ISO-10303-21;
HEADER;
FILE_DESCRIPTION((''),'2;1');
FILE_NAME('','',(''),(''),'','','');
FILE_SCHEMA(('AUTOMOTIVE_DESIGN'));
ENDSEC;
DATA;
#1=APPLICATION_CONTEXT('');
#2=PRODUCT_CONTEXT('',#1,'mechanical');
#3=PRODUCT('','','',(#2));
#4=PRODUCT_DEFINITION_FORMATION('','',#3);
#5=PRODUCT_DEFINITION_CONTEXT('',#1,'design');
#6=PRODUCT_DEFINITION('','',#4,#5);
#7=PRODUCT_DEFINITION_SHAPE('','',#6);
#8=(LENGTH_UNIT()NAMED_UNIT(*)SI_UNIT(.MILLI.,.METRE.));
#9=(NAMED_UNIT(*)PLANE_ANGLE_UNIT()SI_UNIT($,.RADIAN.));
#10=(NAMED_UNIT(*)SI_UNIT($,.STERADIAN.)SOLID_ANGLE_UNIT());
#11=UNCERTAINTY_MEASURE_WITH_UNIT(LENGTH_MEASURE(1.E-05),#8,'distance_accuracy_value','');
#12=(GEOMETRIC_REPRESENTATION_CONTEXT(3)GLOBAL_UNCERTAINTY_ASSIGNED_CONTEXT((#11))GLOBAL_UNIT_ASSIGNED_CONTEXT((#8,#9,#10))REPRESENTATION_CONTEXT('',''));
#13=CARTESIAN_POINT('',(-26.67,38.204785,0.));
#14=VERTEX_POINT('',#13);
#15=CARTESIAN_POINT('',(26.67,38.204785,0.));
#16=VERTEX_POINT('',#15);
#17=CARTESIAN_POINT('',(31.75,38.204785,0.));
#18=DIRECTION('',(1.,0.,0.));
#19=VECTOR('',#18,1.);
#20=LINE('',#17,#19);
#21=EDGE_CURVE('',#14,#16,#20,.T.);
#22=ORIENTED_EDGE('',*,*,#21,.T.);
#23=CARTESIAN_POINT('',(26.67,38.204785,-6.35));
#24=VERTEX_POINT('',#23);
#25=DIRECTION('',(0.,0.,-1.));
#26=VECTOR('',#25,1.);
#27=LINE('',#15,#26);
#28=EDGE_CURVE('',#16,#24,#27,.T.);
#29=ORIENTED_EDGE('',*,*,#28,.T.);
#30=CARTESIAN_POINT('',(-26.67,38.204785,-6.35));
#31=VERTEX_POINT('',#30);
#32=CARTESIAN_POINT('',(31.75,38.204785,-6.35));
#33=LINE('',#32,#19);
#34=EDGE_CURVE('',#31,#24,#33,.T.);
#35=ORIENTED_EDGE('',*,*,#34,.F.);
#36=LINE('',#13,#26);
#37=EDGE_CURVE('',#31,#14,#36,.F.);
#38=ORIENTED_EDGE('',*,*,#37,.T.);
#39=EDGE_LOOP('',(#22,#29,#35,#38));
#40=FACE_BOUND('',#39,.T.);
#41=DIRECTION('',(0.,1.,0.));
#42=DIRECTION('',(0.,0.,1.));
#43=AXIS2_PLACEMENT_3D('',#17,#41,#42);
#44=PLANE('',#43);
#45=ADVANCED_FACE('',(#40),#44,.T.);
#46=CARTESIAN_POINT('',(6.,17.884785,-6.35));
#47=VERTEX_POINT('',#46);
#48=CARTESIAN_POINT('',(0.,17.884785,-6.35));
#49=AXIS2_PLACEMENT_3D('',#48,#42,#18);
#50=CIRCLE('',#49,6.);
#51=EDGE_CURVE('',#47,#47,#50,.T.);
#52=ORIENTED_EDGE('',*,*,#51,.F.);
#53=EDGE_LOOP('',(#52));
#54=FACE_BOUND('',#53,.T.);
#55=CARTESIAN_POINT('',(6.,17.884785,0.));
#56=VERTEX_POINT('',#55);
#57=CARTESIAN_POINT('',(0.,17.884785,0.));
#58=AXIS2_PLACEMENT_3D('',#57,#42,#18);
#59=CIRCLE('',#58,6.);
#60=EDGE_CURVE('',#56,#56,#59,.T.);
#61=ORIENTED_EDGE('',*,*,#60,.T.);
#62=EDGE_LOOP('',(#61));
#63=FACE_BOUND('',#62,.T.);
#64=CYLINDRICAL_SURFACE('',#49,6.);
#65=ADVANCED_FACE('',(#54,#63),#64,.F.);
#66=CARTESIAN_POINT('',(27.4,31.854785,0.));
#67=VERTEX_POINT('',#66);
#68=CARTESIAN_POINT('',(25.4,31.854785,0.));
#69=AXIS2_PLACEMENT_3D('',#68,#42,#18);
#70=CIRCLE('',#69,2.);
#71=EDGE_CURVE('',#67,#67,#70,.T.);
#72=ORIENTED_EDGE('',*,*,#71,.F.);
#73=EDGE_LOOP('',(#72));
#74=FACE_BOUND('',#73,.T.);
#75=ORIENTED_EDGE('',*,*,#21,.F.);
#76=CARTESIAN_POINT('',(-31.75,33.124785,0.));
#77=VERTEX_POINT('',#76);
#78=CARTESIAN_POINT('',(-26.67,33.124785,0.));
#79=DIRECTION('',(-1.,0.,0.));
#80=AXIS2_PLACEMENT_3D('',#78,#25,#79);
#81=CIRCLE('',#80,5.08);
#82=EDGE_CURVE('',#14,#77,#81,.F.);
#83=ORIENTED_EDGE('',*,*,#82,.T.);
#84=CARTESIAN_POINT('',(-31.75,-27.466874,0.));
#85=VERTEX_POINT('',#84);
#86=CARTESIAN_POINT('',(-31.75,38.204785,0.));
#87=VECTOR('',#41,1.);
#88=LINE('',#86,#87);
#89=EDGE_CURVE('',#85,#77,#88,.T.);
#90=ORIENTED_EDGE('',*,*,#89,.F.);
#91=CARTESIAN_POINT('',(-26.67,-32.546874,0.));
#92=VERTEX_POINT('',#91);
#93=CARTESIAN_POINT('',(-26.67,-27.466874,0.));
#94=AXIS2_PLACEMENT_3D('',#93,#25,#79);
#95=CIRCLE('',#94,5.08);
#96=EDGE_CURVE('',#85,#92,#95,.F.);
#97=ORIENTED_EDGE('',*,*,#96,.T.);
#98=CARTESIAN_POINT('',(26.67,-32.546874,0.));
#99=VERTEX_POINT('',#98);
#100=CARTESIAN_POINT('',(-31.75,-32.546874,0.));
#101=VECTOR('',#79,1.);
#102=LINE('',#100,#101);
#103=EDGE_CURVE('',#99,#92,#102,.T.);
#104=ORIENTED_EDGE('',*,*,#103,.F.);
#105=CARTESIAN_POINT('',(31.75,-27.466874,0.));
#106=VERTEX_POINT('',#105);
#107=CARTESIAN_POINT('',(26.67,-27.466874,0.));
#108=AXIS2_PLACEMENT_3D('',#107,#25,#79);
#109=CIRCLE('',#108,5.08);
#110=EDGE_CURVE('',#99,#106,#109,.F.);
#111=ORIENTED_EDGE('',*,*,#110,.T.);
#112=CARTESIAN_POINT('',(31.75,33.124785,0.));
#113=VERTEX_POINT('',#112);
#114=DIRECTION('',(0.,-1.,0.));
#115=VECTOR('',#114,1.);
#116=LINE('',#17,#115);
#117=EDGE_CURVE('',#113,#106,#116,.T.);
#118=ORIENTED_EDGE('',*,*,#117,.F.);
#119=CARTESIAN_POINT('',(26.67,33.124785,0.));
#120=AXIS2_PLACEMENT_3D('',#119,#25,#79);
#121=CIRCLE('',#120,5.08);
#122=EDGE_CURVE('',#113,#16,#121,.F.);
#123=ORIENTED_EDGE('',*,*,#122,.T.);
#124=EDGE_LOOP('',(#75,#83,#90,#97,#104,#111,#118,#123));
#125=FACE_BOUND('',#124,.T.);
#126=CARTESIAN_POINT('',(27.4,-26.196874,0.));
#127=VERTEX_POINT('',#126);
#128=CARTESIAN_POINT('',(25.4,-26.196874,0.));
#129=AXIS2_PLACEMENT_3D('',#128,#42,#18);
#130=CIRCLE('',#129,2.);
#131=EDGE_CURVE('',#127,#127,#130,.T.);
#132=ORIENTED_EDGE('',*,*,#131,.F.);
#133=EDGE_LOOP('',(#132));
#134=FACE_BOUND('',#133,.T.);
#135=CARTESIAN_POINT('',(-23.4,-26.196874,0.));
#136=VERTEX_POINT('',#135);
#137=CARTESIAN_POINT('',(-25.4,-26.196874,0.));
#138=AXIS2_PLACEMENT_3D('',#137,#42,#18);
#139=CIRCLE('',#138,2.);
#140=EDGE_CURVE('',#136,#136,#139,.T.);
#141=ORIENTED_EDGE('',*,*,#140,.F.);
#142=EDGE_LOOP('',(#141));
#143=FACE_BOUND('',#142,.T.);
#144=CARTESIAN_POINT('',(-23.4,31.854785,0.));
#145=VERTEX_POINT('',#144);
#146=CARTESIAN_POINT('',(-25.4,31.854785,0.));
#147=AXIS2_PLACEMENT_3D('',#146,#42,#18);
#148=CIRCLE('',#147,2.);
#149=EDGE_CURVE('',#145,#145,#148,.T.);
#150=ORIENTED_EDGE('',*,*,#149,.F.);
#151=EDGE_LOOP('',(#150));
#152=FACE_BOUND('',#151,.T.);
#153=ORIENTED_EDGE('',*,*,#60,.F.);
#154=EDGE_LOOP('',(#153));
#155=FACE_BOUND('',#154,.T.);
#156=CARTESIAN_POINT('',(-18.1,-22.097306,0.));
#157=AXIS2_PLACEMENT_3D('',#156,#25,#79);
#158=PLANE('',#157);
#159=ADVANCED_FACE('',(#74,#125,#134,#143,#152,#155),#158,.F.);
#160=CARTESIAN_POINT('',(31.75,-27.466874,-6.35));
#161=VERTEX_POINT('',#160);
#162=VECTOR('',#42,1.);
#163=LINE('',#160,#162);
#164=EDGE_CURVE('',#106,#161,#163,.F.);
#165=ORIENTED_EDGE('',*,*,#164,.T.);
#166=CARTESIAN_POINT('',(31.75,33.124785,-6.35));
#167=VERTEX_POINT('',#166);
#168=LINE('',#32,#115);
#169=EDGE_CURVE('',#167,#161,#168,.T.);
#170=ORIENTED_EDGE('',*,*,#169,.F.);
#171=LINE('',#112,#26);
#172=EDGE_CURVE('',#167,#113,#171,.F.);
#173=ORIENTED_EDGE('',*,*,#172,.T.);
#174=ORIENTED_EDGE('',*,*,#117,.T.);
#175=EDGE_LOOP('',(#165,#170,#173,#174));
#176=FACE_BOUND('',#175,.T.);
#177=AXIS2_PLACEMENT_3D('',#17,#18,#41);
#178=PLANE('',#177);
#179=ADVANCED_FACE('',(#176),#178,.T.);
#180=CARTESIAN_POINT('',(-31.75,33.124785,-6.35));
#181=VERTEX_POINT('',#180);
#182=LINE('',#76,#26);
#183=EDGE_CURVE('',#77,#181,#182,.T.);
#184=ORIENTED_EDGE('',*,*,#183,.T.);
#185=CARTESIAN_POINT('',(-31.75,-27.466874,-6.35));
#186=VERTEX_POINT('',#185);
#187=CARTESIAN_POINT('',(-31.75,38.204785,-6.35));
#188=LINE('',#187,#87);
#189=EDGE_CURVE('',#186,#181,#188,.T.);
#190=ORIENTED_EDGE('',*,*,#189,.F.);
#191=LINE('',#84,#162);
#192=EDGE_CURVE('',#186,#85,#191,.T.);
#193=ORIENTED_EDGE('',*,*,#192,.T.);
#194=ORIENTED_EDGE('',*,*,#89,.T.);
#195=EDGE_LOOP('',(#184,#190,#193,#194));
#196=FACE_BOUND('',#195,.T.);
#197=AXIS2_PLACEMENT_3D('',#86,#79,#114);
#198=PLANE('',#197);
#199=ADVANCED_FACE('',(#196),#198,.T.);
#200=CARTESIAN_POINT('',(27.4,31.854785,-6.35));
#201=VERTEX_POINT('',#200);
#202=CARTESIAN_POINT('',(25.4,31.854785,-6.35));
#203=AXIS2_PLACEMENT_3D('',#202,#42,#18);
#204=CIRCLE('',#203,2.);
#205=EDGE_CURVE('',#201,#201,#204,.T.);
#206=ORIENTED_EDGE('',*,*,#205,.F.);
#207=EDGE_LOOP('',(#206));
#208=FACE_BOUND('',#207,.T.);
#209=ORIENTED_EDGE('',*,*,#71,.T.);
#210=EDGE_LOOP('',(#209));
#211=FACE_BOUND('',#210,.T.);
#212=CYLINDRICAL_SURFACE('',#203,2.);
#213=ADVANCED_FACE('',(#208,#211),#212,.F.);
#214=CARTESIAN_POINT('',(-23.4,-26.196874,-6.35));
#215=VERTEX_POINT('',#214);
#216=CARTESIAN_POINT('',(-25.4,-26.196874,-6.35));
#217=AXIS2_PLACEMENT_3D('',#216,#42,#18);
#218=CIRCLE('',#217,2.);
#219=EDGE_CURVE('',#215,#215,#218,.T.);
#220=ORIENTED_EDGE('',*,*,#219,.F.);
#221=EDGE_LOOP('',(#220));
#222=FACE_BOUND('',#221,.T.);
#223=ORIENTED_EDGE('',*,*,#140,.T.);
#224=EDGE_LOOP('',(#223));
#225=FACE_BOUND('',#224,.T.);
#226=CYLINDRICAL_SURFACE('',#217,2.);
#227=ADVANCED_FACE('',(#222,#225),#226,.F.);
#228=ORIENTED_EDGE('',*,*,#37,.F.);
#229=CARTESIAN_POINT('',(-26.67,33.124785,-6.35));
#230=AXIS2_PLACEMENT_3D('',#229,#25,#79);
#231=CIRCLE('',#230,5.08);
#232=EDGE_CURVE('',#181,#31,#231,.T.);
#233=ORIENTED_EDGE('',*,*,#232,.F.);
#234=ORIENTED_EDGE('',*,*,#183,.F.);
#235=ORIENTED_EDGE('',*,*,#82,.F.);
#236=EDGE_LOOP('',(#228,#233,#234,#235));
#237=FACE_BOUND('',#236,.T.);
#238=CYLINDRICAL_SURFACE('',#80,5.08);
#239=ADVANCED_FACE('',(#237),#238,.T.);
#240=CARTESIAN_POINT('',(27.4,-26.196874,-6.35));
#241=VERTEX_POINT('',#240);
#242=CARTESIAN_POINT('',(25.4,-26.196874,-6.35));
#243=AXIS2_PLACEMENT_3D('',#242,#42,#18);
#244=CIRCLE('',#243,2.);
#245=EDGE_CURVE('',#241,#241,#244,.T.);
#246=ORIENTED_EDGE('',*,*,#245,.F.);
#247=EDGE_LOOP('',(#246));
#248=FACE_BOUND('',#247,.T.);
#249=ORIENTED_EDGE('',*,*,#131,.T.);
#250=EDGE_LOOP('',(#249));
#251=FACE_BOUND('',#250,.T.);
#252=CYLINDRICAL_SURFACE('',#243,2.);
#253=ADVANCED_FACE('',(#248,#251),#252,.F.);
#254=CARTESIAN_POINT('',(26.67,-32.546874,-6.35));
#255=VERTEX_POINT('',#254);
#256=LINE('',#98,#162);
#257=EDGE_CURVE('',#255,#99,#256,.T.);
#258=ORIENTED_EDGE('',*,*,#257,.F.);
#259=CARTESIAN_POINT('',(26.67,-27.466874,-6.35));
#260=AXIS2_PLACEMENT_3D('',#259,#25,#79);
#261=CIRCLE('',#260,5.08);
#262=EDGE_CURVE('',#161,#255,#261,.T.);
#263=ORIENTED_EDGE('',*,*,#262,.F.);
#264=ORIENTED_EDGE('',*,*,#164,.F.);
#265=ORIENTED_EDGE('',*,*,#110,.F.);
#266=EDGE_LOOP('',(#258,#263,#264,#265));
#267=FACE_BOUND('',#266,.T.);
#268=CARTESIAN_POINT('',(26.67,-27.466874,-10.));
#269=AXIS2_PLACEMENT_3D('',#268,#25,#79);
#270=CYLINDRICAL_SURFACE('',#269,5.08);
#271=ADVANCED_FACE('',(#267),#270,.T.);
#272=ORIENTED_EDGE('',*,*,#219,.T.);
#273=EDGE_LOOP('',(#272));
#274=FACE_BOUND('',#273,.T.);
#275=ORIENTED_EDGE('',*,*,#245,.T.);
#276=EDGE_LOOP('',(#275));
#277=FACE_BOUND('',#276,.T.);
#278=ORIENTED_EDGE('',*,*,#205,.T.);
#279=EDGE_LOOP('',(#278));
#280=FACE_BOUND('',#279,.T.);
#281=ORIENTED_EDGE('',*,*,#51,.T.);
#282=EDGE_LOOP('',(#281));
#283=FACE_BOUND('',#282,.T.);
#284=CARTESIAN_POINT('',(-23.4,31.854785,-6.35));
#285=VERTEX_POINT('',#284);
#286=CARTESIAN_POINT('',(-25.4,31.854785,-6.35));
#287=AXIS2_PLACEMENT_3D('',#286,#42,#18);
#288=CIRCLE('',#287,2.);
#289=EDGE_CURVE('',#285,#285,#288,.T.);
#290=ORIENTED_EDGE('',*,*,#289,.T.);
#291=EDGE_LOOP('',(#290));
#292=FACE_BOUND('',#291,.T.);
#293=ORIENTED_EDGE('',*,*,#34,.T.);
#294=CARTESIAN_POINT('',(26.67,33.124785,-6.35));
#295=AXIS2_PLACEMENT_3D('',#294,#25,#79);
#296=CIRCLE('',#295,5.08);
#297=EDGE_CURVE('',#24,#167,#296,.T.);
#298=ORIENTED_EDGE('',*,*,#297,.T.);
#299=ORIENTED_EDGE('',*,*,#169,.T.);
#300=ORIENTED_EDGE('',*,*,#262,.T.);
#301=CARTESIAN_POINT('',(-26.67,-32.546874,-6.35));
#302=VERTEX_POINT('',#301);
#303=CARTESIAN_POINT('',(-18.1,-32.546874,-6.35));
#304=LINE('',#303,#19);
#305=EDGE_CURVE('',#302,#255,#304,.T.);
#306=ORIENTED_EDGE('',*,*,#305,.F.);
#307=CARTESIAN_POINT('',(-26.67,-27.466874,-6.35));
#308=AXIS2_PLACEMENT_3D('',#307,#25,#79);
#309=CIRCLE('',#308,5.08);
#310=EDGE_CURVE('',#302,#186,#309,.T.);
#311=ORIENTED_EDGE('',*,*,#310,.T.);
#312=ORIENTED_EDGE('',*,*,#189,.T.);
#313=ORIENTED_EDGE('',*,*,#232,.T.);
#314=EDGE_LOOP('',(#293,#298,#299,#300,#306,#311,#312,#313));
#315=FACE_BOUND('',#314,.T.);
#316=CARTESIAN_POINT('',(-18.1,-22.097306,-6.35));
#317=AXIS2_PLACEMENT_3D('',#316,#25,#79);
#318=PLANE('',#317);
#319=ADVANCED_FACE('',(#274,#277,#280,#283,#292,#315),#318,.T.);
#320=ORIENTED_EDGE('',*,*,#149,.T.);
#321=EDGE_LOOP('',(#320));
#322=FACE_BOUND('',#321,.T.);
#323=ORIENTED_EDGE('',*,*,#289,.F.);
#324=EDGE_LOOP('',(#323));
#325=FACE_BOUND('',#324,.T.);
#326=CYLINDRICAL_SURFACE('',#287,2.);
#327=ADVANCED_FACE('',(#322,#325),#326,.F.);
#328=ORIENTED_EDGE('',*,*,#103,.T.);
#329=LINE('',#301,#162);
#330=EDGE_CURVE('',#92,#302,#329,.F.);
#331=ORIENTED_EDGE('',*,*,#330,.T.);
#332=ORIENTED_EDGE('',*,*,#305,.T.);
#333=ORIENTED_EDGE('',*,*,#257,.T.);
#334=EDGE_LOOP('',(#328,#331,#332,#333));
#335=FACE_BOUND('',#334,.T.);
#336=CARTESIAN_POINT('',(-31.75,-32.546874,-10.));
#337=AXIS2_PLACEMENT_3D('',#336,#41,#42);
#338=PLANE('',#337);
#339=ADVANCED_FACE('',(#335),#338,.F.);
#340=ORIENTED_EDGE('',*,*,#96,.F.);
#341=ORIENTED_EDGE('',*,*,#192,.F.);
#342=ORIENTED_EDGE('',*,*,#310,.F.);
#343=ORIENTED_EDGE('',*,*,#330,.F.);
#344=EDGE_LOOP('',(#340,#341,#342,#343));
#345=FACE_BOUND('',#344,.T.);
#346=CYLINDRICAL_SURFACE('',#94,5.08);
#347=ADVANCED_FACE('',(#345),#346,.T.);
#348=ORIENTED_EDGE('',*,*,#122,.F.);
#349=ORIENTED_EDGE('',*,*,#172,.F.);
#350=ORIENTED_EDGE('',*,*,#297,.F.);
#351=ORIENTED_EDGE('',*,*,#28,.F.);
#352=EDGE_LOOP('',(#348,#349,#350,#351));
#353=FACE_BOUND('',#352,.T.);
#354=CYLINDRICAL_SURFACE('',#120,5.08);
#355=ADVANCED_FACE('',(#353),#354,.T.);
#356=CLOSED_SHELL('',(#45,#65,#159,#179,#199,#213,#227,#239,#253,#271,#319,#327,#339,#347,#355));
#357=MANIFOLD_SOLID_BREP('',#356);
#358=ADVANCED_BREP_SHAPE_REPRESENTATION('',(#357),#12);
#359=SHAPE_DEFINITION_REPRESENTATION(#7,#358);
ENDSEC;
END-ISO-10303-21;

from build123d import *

# Parameters (mm, degrees)
BOSS_EXTRUDE1_DEPTH = 6.35
SKETCH2_R           = 1.35
SKETCH2_R_2         = 1.385
CUT_EXTRUDE1_DEPTH  = 38.116505762
SKETCH3_W           = 63.5
SKETCH3_H           = 71.12
SKETCH3_W_2         = 38.321076004
SKETCH3_H_2         = 47.237540142
BOSS_EXTRUDE2_DEPTH = 6.35
SKETCH5_W           = 27.94
SKETCH5_H           = 55.88
CUT_EXTRUDE3_DEPTH  = 51.07984184
SKETCH7_W           = 69.85
SKETCH7_H           = 0.368341575
CUT_EXTRUDE4_DEPTH  = 10
SKETCH9_R           = 2
CUT_EXTRUDE5_DEPTH  = 51.07984184
SKETCH10_W          = 41.322373354
SKETCH10_H          = 59.668082212
BOSS_EXTRUDE3_DEPTH = 6.35
SKETCH11_R          = 6
CUT_EXTRUDE6_DEPTH  = 51.07984184
FILLET1_R           = 5.08
FILLET2_R           = 5.08
FILLET3_R           = 5.08


with BuildPart() as part:
    # Sketch1 → Boss-Extrude1 (new body)
    with BuildSketch(Plane.XY):
        with BuildLine():
            Line((-19.69889026, 23.2987845), (-14.850045261, 29.75147823))
            ThreePointArc((-14.850045261, 29.75147823), (-14.144755454, 30.339267512), (-13.251155001, 30.55))
            Line((-13.251155001, 30.55), (13.251155001, 30.55))
            ThreePointArc((13.251155001, 30.55), (14.144755454, 30.339267512), (14.850045261, 29.75147823))
            Line((14.850045261, 29.75147823), (19.69889026, 23.2987845))
            ThreePointArc((19.69889026, 23.2987845), (19.997074131, 22.730638521), (20.1, 22.09730627))
            Line((20.1, 22.09730627), (20.1, -22.09730627))
            ThreePointArc((20.1, -22.09730627), (19.997074131, -22.730638521), (19.69889026, -23.2987845))
            Line((19.69889026, -23.2987845), (14.850045261, -29.75147823))
            ThreePointArc((14.850045261, -29.75147823), (14.144755454, -30.339267512), (13.251155001, -30.55))
            Line((13.251155001, -30.55), (-13.251155001, -30.55))
            ThreePointArc((-13.251155001, -30.55), (-14.144755454, -30.339267512), (-14.850045261, -29.75147823))
            Line((-14.850045261, -29.75147823), (-19.69889026, -23.2987845))
            ThreePointArc((-19.69889026, -23.2987845), (-19.997074131, -22.730638521), (-20.1, -22.09730627))
            Line((-20.1, -22.09730627), (-20.1, 22.09730627))
            ThreePointArc((-20.1, 22.09730627), (-19.997074131, 22.730638521), (-19.69889026, 23.2987845))
        make_face()
    extrude(amount=-BOSS_EXTRUDE1_DEPTH)

    # Sketch2 → Cut-Extrude1 (cut, through all)
    with BuildSketch(Plane(origin=(0, 0, -6.35), x_dir=(-1, 0, 0), z_dir=(0, 0, -1))):
        with Locations((17.3, 21.9487845)):
            Circle(SKETCH2_R)
        with Locations((17.3, -0.0512155)):
            Circle(SKETCH2_R)
        with Locations((17.3, -22.0512155)):
            Circle(SKETCH2_R)
        with Locations((11, -27.75)):
            Circle(SKETCH2_R_2)
        with Locations(Location((-11, -27.75, 0), (0, 0, 180))):
            Circle(SKETCH2_R_2)
        with Locations(Location((-17.3, -22.0512155, 0), (0, 0, 180))):
            Circle(SKETCH2_R)
        with Locations(Location((-17.3, -0.0512155, 0), (0, 0, 180))):
            Circle(SKETCH2_R)
        with Locations(Location((-17.3, 21.9487845, 0), (0, 0, 180))):
            Circle(SKETCH2_R)
    extrude(amount=-CUT_EXTRUDE1_DEPTH, mode=Mode.SUBTRACT)

    # Sketch3 → Boss-Extrude2 (add)
    with BuildSketch(Plane(origin=(0, 0, -6.35), x_dir=(-1, 0, 0), z_dir=(0, 0, -1))):
        with Locations((0, 2.6447845)):
            Rectangle(SKETCH3_W, SKETCH3_H)
        Rectangle(SKETCH3_W_2, SKETCH3_H_2, mode=Mode.SUBTRACT)
    extrude(amount=-BOSS_EXTRUDE2_DEPTH)

    # Sketch5 → Cut-Extrude3 (cut, through all)
    with BuildSketch(Plane.XY):
        with Locations((0, 3.0087845)):
            Rectangle(SKETCH5_W, SKETCH5_H)
    extrude(amount=-CUT_EXTRUDE3_DEPTH, mode=Mode.SUBTRACT)

    # Sketch7 → Cut-Extrude4 (cut)
    with BuildSketch(Plane.XY):
        with Locations((3.175, -32.731044713)):
            Rectangle(SKETCH7_W, SKETCH7_H)
    extrude(amount=-CUT_EXTRUDE4_DEPTH, mode=Mode.SUBTRACT)

    # Sketch9 → Cut-Extrude5 (cut, through all)
    with BuildSketch(Plane.XY):
        with Locations((25.4, 31.8547845)):
            Circle(SKETCH9_R)
        with Locations((-25.4, 31.8547845)):
            Circle(SKETCH9_R)
        with Locations((-25.4, -26.196873925)):
            Circle(SKETCH9_R)
        with Locations((25.4, -26.196873925)):
            Circle(SKETCH9_R)
    extrude(amount=-CUT_EXTRUDE5_DEPTH, mode=Mode.SUBTRACT)

    # Sketch10 → Boss-Extrude3 (add)
    with BuildSketch(Plane(origin=(0, 0, -6.35), x_dir=(-1, 0, 0), z_dir=(0, 0, -1))):
        with Locations((0, 2.205557414)):
            Rectangle(SKETCH10_W, SKETCH10_H)
    extrude(amount=-BOSS_EXTRUDE3_DEPTH)

    # Sketch11 → Cut-Extrude6 (cut, through all)
    with BuildSketch(Plane.XY):
        with Locations((0, 17.8847845)):
            Circle(SKETCH11_R)
    extrude(amount=-CUT_EXTRUDE6_DEPTH, mode=Mode.SUBTRACT)

    # Fillet1
    fillet1_edges = [part.edges().sort_by_distance(p)[0] for p in [
        (-31.75, 38.2047845, -3.175),
    ]]
    fillet(fillet1_edges, radius=FILLET1_R)

    # Fillet2
    fillet2_edges = [part.edges().sort_by_distance(p)[0] for p in [
        (31.75, -32.546873925, -3.175),
        (31.75, 38.2047845, -3.175),
    ]]
    fillet(fillet2_edges, radius=FILLET2_R)

    # Fillet3
    fillet3_edges = [part.edges().sort_by_distance(p)[0] for p in [
        (-31.75, -32.546873925, -3.175),
    ]]
    fillet(fillet3_edges, radius=FILLET3_R)


solid = part.part
